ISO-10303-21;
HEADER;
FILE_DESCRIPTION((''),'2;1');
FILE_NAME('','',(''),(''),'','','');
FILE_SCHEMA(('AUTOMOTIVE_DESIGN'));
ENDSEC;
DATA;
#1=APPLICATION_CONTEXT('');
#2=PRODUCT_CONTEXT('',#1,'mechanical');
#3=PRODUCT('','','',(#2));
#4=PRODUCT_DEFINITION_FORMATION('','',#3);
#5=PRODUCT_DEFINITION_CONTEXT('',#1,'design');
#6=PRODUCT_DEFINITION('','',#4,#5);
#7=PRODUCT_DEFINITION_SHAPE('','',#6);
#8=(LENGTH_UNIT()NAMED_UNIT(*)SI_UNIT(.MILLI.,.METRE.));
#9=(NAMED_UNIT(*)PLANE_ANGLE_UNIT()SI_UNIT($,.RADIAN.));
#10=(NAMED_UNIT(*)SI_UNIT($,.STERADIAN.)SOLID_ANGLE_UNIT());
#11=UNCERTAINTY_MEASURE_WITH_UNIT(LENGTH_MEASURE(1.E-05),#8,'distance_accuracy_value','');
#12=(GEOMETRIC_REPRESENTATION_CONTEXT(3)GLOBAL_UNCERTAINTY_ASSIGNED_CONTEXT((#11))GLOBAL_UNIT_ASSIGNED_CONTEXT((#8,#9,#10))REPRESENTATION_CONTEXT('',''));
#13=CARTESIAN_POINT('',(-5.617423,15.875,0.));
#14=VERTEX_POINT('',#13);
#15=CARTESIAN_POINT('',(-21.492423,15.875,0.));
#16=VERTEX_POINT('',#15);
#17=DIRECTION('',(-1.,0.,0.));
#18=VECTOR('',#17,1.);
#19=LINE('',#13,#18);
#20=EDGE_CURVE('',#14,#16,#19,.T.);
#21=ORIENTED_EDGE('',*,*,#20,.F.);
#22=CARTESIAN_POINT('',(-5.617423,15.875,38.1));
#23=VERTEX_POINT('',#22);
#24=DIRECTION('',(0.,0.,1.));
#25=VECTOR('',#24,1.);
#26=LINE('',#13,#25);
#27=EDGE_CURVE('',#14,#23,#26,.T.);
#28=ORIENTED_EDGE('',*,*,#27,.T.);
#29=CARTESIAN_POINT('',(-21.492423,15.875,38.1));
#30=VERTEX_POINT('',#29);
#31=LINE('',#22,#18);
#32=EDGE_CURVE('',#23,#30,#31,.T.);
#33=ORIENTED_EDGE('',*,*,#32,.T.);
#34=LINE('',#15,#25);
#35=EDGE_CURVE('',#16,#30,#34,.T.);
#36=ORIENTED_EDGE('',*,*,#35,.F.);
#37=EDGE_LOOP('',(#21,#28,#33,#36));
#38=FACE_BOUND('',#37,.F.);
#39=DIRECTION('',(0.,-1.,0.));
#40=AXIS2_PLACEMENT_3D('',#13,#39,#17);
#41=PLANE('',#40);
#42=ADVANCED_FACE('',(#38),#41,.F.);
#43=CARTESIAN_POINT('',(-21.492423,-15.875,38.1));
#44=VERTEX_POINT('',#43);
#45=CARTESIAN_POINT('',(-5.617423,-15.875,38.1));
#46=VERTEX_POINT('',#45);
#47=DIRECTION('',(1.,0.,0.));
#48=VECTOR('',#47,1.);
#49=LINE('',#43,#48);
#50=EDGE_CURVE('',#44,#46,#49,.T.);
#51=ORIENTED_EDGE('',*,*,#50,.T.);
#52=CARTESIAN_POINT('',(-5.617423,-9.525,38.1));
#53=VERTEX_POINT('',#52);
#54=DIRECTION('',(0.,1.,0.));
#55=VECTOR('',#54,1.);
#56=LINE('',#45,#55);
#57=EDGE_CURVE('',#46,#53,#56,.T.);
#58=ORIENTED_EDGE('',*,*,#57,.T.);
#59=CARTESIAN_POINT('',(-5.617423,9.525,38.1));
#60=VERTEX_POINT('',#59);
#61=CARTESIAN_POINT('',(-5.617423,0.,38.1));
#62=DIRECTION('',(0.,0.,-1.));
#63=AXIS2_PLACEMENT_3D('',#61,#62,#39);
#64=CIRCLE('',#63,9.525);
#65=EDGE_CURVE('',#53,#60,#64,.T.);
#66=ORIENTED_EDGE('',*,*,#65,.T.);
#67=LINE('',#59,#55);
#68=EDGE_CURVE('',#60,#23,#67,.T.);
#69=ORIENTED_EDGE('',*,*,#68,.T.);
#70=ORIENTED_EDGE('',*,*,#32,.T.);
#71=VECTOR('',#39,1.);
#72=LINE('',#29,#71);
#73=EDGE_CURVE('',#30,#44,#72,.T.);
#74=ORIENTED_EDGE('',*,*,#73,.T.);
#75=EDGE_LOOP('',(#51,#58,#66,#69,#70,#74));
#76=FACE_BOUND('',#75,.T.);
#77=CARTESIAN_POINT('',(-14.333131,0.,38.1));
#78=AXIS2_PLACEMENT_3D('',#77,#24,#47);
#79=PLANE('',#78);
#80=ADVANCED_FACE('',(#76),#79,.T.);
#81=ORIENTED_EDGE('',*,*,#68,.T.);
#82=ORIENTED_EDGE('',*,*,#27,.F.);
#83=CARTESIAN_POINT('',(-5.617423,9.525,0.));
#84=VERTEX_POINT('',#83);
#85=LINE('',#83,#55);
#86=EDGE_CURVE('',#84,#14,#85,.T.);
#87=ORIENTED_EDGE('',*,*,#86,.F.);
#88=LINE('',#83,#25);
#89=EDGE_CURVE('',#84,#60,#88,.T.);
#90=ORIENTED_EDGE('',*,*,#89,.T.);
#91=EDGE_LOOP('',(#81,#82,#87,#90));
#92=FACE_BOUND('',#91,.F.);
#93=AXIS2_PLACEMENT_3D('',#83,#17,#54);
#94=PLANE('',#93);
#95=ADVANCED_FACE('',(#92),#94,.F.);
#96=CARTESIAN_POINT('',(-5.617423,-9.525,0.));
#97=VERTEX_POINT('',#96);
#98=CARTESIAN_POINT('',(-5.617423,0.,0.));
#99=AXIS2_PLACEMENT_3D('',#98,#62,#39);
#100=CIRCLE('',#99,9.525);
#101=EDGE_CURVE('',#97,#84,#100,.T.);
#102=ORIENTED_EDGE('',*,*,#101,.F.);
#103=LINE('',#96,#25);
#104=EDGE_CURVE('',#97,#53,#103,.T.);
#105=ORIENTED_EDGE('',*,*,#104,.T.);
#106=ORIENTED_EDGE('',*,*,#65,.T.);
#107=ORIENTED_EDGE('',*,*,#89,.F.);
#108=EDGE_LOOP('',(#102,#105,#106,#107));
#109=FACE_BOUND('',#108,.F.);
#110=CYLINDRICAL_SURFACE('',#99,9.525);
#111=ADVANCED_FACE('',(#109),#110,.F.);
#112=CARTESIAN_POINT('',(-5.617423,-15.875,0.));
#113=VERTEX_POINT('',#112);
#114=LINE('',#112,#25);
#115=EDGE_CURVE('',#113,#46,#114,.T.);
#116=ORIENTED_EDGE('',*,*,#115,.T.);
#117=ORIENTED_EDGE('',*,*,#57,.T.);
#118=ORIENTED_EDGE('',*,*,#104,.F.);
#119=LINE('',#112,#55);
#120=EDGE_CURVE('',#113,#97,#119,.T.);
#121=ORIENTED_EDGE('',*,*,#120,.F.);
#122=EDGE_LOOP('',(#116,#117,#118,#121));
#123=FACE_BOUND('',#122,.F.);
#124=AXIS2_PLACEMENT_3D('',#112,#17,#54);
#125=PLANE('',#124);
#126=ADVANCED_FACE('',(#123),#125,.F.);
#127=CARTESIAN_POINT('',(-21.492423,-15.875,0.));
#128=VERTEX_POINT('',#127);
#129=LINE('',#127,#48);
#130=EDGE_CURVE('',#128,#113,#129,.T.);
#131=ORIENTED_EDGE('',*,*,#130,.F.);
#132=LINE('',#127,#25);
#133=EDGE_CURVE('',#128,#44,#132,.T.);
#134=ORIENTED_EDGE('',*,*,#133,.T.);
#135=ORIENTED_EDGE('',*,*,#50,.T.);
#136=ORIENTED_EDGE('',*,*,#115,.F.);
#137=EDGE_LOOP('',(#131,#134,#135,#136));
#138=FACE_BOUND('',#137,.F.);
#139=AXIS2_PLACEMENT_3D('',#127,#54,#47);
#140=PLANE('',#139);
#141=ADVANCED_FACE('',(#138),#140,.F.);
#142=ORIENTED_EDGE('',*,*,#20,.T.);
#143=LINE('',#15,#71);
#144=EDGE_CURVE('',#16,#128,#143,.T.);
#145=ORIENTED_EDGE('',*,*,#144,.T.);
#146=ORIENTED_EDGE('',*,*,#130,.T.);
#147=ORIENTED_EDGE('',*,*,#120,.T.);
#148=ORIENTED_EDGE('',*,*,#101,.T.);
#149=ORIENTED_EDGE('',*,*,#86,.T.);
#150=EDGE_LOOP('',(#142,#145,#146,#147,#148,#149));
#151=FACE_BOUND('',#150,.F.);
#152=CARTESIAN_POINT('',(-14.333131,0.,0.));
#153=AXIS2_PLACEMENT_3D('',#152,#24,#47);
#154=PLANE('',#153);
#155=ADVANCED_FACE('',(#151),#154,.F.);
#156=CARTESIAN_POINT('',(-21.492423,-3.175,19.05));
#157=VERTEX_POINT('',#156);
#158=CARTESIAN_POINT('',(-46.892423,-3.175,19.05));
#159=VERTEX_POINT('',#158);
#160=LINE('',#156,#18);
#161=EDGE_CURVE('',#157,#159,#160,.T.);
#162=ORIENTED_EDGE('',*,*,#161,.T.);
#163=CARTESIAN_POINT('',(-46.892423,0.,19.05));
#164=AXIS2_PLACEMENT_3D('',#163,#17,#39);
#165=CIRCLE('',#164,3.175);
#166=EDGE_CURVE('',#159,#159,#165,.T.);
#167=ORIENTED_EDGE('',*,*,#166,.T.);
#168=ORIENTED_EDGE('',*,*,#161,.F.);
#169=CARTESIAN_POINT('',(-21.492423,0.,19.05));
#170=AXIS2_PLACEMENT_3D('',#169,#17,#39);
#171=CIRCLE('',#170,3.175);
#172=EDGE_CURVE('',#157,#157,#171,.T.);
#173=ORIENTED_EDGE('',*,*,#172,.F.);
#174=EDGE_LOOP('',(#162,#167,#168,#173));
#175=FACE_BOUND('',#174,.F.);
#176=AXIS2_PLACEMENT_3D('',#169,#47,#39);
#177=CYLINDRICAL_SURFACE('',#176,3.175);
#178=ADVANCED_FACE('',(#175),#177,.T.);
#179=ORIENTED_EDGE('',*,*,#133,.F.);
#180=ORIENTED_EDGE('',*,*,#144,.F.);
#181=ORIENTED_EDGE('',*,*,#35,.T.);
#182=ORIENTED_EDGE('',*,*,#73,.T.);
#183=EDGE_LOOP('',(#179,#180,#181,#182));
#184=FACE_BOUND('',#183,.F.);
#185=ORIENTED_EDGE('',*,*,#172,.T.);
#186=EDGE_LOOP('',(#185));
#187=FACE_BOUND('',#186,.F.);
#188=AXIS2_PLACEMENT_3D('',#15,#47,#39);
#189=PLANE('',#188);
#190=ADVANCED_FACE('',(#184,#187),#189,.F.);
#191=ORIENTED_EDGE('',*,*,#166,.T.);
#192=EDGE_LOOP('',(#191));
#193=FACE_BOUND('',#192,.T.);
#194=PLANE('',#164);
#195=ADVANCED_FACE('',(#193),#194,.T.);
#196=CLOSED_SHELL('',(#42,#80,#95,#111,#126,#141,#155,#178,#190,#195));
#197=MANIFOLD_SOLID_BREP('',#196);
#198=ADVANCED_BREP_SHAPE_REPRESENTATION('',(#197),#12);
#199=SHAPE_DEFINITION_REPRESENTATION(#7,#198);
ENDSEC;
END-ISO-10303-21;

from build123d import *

# Parameters (mm, degrees)
F1_DEPTH = 38.1
F2_R     = 3.175
F3_DEPTH = 25.4


with BuildPart() as f1:
    # F0 (on Top) → F1 (new body)
    with BuildSketch(Plane.XY):
        with BuildLine():
            Line((-5.617423, 15.875), (-21.492423, 15.875))
            Line((-21.492423, 15.875), (-21.492423, -15.875))
            Line((-21.492423, -15.875), (-5.617423, -15.875))
            Line((-5.617423, -15.875), (-5.617423, -9.525))
            ThreePointArc((-5.617423, -9.525), (-15.142423, 0), (-5.617423, 9.525))
            Line((-5.617423, 9.525), (-5.617423, 15.875))
        make_face()
    extrude(amount=F1_DEPTH)

    # F2 (on face) → F3 (join)
    with BuildSketch(Plane(origin=(-21.492423, 0, 0), x_dir=(0, -1, 0), z_dir=(-1, 0, 0))):
        with Locations((0, 19.05)):
            Circle(F2_R)
    extrude(amount=F3_DEPTH)


solid = f1.part
